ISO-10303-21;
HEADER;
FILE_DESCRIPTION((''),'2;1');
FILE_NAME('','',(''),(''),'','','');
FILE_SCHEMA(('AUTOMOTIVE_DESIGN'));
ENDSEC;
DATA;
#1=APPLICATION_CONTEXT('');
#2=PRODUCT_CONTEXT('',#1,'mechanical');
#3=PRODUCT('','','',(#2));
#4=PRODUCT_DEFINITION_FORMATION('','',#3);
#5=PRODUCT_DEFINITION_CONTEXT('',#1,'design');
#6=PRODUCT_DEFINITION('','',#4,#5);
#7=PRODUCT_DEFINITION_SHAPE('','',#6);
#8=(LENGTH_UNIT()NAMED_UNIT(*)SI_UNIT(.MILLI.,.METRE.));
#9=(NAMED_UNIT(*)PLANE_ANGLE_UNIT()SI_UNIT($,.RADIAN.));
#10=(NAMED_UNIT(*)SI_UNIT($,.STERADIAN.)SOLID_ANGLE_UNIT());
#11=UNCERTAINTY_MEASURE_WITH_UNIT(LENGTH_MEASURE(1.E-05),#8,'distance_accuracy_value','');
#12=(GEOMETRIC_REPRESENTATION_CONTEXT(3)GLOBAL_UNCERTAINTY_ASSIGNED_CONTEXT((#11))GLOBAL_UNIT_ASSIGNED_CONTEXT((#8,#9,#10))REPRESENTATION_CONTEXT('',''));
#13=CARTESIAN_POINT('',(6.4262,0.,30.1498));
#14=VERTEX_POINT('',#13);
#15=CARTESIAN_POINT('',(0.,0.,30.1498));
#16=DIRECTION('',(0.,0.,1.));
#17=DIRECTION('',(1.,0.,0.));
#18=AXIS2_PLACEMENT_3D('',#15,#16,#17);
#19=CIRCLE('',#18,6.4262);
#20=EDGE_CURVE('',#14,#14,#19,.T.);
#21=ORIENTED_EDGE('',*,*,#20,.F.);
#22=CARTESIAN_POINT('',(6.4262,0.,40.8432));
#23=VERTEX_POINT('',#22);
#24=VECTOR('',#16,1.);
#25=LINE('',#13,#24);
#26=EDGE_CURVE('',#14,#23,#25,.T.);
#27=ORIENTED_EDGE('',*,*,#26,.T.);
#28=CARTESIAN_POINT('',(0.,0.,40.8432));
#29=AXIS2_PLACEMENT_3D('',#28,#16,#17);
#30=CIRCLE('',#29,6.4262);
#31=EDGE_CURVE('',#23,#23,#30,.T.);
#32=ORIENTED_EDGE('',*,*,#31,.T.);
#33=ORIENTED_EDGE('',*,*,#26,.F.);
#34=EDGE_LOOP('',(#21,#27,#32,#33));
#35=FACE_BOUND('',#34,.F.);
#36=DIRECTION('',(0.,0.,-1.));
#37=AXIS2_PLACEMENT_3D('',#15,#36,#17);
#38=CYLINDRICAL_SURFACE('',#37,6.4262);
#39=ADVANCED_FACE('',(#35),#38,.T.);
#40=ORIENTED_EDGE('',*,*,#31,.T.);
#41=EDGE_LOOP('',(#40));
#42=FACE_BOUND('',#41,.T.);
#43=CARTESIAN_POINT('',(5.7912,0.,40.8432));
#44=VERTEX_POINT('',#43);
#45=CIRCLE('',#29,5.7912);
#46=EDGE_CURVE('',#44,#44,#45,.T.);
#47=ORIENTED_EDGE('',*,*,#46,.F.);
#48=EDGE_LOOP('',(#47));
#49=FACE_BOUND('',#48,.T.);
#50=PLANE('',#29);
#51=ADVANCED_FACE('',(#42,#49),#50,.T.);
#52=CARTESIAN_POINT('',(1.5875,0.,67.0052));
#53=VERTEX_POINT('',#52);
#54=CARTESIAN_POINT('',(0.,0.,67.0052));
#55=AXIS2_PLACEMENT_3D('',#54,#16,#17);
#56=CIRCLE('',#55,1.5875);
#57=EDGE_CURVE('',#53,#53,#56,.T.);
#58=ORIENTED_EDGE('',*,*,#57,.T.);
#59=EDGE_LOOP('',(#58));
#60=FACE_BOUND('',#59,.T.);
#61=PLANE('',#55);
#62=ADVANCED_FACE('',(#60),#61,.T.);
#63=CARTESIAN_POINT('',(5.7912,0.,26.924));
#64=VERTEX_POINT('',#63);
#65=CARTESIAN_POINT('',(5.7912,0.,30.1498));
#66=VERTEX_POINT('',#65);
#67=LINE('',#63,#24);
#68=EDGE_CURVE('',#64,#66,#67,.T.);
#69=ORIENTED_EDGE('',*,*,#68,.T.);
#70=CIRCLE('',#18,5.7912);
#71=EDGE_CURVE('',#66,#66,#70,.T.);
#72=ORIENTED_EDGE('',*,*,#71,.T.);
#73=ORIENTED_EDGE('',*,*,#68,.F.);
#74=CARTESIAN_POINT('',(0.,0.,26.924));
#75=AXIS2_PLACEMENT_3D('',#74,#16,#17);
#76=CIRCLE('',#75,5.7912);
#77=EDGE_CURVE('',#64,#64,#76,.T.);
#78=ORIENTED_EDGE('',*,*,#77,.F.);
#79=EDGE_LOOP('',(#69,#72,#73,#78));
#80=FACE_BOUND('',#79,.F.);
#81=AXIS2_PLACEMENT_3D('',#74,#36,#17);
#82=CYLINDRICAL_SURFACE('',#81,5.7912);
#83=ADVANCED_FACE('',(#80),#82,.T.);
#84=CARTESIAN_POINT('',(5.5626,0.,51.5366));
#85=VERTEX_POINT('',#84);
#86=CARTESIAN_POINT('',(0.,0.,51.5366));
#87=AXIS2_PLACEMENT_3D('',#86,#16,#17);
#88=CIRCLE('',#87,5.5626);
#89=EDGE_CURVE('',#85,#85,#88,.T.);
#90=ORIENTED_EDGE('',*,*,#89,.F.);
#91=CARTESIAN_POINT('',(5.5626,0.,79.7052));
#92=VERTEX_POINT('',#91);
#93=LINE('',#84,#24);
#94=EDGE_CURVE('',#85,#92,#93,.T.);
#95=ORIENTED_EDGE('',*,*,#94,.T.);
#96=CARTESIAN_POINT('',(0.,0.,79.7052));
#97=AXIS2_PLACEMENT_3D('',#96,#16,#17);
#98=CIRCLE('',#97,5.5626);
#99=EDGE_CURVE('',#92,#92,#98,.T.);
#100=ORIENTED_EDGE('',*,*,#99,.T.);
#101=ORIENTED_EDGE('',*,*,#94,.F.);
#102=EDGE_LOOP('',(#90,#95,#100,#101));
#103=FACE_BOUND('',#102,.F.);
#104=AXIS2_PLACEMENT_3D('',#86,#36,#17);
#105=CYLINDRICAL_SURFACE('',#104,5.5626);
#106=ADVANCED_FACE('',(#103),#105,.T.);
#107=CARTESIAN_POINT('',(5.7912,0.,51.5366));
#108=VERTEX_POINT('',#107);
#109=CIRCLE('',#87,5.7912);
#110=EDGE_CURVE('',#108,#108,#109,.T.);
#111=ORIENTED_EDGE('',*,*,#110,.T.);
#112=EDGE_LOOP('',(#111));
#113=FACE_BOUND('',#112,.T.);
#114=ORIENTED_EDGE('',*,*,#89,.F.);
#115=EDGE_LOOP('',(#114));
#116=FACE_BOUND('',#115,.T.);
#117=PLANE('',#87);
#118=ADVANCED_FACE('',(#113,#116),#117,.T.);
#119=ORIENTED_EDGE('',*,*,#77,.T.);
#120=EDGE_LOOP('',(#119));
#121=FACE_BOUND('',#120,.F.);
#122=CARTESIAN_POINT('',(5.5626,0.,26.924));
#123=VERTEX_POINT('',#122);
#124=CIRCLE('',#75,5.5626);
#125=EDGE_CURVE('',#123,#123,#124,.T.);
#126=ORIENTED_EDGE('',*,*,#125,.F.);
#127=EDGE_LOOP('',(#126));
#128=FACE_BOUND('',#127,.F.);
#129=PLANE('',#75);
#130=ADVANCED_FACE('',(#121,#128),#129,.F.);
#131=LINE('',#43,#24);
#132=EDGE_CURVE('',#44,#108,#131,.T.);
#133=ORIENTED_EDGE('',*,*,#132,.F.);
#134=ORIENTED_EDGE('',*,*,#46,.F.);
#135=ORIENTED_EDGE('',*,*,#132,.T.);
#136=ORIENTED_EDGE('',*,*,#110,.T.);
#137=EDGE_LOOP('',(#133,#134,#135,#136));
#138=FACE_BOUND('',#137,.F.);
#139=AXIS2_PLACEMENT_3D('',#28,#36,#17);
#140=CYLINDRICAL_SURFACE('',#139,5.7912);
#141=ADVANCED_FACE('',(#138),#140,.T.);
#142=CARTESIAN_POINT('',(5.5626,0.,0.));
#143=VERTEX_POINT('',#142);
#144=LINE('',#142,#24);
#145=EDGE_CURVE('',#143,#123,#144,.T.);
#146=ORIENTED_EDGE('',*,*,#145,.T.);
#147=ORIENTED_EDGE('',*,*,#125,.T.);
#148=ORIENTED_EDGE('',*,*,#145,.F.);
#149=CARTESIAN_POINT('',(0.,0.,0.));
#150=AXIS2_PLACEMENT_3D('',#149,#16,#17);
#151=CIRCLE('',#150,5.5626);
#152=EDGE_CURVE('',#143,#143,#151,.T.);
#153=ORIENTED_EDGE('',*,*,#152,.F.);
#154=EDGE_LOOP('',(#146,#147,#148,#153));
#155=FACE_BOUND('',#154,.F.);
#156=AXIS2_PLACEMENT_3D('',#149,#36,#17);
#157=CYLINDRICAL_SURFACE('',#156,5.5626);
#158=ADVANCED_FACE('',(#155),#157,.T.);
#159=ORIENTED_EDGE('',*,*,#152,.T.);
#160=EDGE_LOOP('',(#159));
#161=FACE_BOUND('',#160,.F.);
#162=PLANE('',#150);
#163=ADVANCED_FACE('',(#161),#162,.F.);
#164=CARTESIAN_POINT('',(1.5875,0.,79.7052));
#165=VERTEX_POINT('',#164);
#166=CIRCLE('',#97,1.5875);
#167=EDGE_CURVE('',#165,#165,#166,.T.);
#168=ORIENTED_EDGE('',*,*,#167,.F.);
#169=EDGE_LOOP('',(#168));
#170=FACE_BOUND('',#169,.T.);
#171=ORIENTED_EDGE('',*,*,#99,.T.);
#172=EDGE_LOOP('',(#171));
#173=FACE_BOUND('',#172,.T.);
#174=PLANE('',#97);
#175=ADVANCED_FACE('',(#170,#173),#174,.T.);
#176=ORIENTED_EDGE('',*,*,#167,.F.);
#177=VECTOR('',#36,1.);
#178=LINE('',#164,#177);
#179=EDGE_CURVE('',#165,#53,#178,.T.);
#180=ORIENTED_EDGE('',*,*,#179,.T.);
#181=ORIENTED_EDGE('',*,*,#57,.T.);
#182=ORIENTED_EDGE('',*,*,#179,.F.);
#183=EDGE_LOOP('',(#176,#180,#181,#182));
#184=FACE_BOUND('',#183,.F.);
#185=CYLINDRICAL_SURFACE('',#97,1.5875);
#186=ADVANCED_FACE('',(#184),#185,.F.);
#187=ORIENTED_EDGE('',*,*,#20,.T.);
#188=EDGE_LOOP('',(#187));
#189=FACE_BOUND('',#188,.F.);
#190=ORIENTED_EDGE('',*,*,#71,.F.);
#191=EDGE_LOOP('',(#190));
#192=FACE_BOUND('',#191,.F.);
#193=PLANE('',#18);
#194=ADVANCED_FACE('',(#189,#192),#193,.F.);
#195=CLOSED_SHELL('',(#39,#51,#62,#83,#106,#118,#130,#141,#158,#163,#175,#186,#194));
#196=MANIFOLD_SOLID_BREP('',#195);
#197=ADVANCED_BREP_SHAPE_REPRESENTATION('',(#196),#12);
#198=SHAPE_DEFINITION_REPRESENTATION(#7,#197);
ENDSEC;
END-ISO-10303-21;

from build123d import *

# Parameters (mm, degrees)
F0_R      = 5.5626
F1_DEPTH  = 26.924
F2_R      = 5.7912
F2_R_2    = 5.5626
F3_DEPTH  = 3.2258
F4_DEPTH  = 3.2258
F6_R      = 6.4262
F6_R_2    = 5.7912
F7_DEPTH  = 10.6934
F8_DEPTH  = 10.6934
F10_R     = 5.7912
F11_DEPTH = 10.6934
F12_R     = 5.5626
F13_DEPTH = 28.1686
F14_R     = 1.5875
F16_DEPTH = 12.7


with BuildPart() as f1:
    # F0 (on Top) → F1 (new body)
    with BuildSketch(Plane.XY):
        Circle(F0_R)
    extrude(amount=F1_DEPTH)

    # F2 (on face) → F3 (join)
    with BuildSketch(Plane.XY.offset(26.924)):
        Circle(F2_R)
        Circle(F2_R_2, mode=Mode.SUBTRACT)
    extrude(amount=F3_DEPTH)

    # F4 (add): a face of the model
    f4_faces = [f1.faces().sort_by_distance(p)[0] for p in [
        (0, 0, 26.924),
    ]]
    extrude(f4_faces, amount=F4_DEPTH)

    # F5: union 

    # F6 (on face) → F7 (join)
    with BuildSketch(Plane.XY.offset(30.1498)):
        Circle(F6_R)
        Circle(F6_R_2, mode=Mode.SUBTRACT)
    extrude(amount=F7_DEPTH)

    # F8 (add): a face of the model
    f8_faces = [f1.faces().sort_by_distance(p)[0] for p in [
        (0, 0, 30.1498),
    ]]
    extrude(f8_faces, amount=F8_DEPTH)

    # F9: union 

    # F10 (on face) → F11 (join)
    with BuildSketch(Plane.XY.offset(40.8432)):
        Circle(F10_R)
    extrude(amount=F11_DEPTH)

    # F12 (on face) → F13 (join)
    with BuildSketch(Plane.XY.offset(51.5366)):
        Circle(F12_R)
    extrude(amount=F13_DEPTH)

    # F14 (on face) → F16 (cut)
    with BuildSketch(Plane.XY.offset(79.7052)):
        Circle(F14_R)
    extrude(amount=-F16_DEPTH, mode=Mode.SUBTRACT)


solid = f1.part
